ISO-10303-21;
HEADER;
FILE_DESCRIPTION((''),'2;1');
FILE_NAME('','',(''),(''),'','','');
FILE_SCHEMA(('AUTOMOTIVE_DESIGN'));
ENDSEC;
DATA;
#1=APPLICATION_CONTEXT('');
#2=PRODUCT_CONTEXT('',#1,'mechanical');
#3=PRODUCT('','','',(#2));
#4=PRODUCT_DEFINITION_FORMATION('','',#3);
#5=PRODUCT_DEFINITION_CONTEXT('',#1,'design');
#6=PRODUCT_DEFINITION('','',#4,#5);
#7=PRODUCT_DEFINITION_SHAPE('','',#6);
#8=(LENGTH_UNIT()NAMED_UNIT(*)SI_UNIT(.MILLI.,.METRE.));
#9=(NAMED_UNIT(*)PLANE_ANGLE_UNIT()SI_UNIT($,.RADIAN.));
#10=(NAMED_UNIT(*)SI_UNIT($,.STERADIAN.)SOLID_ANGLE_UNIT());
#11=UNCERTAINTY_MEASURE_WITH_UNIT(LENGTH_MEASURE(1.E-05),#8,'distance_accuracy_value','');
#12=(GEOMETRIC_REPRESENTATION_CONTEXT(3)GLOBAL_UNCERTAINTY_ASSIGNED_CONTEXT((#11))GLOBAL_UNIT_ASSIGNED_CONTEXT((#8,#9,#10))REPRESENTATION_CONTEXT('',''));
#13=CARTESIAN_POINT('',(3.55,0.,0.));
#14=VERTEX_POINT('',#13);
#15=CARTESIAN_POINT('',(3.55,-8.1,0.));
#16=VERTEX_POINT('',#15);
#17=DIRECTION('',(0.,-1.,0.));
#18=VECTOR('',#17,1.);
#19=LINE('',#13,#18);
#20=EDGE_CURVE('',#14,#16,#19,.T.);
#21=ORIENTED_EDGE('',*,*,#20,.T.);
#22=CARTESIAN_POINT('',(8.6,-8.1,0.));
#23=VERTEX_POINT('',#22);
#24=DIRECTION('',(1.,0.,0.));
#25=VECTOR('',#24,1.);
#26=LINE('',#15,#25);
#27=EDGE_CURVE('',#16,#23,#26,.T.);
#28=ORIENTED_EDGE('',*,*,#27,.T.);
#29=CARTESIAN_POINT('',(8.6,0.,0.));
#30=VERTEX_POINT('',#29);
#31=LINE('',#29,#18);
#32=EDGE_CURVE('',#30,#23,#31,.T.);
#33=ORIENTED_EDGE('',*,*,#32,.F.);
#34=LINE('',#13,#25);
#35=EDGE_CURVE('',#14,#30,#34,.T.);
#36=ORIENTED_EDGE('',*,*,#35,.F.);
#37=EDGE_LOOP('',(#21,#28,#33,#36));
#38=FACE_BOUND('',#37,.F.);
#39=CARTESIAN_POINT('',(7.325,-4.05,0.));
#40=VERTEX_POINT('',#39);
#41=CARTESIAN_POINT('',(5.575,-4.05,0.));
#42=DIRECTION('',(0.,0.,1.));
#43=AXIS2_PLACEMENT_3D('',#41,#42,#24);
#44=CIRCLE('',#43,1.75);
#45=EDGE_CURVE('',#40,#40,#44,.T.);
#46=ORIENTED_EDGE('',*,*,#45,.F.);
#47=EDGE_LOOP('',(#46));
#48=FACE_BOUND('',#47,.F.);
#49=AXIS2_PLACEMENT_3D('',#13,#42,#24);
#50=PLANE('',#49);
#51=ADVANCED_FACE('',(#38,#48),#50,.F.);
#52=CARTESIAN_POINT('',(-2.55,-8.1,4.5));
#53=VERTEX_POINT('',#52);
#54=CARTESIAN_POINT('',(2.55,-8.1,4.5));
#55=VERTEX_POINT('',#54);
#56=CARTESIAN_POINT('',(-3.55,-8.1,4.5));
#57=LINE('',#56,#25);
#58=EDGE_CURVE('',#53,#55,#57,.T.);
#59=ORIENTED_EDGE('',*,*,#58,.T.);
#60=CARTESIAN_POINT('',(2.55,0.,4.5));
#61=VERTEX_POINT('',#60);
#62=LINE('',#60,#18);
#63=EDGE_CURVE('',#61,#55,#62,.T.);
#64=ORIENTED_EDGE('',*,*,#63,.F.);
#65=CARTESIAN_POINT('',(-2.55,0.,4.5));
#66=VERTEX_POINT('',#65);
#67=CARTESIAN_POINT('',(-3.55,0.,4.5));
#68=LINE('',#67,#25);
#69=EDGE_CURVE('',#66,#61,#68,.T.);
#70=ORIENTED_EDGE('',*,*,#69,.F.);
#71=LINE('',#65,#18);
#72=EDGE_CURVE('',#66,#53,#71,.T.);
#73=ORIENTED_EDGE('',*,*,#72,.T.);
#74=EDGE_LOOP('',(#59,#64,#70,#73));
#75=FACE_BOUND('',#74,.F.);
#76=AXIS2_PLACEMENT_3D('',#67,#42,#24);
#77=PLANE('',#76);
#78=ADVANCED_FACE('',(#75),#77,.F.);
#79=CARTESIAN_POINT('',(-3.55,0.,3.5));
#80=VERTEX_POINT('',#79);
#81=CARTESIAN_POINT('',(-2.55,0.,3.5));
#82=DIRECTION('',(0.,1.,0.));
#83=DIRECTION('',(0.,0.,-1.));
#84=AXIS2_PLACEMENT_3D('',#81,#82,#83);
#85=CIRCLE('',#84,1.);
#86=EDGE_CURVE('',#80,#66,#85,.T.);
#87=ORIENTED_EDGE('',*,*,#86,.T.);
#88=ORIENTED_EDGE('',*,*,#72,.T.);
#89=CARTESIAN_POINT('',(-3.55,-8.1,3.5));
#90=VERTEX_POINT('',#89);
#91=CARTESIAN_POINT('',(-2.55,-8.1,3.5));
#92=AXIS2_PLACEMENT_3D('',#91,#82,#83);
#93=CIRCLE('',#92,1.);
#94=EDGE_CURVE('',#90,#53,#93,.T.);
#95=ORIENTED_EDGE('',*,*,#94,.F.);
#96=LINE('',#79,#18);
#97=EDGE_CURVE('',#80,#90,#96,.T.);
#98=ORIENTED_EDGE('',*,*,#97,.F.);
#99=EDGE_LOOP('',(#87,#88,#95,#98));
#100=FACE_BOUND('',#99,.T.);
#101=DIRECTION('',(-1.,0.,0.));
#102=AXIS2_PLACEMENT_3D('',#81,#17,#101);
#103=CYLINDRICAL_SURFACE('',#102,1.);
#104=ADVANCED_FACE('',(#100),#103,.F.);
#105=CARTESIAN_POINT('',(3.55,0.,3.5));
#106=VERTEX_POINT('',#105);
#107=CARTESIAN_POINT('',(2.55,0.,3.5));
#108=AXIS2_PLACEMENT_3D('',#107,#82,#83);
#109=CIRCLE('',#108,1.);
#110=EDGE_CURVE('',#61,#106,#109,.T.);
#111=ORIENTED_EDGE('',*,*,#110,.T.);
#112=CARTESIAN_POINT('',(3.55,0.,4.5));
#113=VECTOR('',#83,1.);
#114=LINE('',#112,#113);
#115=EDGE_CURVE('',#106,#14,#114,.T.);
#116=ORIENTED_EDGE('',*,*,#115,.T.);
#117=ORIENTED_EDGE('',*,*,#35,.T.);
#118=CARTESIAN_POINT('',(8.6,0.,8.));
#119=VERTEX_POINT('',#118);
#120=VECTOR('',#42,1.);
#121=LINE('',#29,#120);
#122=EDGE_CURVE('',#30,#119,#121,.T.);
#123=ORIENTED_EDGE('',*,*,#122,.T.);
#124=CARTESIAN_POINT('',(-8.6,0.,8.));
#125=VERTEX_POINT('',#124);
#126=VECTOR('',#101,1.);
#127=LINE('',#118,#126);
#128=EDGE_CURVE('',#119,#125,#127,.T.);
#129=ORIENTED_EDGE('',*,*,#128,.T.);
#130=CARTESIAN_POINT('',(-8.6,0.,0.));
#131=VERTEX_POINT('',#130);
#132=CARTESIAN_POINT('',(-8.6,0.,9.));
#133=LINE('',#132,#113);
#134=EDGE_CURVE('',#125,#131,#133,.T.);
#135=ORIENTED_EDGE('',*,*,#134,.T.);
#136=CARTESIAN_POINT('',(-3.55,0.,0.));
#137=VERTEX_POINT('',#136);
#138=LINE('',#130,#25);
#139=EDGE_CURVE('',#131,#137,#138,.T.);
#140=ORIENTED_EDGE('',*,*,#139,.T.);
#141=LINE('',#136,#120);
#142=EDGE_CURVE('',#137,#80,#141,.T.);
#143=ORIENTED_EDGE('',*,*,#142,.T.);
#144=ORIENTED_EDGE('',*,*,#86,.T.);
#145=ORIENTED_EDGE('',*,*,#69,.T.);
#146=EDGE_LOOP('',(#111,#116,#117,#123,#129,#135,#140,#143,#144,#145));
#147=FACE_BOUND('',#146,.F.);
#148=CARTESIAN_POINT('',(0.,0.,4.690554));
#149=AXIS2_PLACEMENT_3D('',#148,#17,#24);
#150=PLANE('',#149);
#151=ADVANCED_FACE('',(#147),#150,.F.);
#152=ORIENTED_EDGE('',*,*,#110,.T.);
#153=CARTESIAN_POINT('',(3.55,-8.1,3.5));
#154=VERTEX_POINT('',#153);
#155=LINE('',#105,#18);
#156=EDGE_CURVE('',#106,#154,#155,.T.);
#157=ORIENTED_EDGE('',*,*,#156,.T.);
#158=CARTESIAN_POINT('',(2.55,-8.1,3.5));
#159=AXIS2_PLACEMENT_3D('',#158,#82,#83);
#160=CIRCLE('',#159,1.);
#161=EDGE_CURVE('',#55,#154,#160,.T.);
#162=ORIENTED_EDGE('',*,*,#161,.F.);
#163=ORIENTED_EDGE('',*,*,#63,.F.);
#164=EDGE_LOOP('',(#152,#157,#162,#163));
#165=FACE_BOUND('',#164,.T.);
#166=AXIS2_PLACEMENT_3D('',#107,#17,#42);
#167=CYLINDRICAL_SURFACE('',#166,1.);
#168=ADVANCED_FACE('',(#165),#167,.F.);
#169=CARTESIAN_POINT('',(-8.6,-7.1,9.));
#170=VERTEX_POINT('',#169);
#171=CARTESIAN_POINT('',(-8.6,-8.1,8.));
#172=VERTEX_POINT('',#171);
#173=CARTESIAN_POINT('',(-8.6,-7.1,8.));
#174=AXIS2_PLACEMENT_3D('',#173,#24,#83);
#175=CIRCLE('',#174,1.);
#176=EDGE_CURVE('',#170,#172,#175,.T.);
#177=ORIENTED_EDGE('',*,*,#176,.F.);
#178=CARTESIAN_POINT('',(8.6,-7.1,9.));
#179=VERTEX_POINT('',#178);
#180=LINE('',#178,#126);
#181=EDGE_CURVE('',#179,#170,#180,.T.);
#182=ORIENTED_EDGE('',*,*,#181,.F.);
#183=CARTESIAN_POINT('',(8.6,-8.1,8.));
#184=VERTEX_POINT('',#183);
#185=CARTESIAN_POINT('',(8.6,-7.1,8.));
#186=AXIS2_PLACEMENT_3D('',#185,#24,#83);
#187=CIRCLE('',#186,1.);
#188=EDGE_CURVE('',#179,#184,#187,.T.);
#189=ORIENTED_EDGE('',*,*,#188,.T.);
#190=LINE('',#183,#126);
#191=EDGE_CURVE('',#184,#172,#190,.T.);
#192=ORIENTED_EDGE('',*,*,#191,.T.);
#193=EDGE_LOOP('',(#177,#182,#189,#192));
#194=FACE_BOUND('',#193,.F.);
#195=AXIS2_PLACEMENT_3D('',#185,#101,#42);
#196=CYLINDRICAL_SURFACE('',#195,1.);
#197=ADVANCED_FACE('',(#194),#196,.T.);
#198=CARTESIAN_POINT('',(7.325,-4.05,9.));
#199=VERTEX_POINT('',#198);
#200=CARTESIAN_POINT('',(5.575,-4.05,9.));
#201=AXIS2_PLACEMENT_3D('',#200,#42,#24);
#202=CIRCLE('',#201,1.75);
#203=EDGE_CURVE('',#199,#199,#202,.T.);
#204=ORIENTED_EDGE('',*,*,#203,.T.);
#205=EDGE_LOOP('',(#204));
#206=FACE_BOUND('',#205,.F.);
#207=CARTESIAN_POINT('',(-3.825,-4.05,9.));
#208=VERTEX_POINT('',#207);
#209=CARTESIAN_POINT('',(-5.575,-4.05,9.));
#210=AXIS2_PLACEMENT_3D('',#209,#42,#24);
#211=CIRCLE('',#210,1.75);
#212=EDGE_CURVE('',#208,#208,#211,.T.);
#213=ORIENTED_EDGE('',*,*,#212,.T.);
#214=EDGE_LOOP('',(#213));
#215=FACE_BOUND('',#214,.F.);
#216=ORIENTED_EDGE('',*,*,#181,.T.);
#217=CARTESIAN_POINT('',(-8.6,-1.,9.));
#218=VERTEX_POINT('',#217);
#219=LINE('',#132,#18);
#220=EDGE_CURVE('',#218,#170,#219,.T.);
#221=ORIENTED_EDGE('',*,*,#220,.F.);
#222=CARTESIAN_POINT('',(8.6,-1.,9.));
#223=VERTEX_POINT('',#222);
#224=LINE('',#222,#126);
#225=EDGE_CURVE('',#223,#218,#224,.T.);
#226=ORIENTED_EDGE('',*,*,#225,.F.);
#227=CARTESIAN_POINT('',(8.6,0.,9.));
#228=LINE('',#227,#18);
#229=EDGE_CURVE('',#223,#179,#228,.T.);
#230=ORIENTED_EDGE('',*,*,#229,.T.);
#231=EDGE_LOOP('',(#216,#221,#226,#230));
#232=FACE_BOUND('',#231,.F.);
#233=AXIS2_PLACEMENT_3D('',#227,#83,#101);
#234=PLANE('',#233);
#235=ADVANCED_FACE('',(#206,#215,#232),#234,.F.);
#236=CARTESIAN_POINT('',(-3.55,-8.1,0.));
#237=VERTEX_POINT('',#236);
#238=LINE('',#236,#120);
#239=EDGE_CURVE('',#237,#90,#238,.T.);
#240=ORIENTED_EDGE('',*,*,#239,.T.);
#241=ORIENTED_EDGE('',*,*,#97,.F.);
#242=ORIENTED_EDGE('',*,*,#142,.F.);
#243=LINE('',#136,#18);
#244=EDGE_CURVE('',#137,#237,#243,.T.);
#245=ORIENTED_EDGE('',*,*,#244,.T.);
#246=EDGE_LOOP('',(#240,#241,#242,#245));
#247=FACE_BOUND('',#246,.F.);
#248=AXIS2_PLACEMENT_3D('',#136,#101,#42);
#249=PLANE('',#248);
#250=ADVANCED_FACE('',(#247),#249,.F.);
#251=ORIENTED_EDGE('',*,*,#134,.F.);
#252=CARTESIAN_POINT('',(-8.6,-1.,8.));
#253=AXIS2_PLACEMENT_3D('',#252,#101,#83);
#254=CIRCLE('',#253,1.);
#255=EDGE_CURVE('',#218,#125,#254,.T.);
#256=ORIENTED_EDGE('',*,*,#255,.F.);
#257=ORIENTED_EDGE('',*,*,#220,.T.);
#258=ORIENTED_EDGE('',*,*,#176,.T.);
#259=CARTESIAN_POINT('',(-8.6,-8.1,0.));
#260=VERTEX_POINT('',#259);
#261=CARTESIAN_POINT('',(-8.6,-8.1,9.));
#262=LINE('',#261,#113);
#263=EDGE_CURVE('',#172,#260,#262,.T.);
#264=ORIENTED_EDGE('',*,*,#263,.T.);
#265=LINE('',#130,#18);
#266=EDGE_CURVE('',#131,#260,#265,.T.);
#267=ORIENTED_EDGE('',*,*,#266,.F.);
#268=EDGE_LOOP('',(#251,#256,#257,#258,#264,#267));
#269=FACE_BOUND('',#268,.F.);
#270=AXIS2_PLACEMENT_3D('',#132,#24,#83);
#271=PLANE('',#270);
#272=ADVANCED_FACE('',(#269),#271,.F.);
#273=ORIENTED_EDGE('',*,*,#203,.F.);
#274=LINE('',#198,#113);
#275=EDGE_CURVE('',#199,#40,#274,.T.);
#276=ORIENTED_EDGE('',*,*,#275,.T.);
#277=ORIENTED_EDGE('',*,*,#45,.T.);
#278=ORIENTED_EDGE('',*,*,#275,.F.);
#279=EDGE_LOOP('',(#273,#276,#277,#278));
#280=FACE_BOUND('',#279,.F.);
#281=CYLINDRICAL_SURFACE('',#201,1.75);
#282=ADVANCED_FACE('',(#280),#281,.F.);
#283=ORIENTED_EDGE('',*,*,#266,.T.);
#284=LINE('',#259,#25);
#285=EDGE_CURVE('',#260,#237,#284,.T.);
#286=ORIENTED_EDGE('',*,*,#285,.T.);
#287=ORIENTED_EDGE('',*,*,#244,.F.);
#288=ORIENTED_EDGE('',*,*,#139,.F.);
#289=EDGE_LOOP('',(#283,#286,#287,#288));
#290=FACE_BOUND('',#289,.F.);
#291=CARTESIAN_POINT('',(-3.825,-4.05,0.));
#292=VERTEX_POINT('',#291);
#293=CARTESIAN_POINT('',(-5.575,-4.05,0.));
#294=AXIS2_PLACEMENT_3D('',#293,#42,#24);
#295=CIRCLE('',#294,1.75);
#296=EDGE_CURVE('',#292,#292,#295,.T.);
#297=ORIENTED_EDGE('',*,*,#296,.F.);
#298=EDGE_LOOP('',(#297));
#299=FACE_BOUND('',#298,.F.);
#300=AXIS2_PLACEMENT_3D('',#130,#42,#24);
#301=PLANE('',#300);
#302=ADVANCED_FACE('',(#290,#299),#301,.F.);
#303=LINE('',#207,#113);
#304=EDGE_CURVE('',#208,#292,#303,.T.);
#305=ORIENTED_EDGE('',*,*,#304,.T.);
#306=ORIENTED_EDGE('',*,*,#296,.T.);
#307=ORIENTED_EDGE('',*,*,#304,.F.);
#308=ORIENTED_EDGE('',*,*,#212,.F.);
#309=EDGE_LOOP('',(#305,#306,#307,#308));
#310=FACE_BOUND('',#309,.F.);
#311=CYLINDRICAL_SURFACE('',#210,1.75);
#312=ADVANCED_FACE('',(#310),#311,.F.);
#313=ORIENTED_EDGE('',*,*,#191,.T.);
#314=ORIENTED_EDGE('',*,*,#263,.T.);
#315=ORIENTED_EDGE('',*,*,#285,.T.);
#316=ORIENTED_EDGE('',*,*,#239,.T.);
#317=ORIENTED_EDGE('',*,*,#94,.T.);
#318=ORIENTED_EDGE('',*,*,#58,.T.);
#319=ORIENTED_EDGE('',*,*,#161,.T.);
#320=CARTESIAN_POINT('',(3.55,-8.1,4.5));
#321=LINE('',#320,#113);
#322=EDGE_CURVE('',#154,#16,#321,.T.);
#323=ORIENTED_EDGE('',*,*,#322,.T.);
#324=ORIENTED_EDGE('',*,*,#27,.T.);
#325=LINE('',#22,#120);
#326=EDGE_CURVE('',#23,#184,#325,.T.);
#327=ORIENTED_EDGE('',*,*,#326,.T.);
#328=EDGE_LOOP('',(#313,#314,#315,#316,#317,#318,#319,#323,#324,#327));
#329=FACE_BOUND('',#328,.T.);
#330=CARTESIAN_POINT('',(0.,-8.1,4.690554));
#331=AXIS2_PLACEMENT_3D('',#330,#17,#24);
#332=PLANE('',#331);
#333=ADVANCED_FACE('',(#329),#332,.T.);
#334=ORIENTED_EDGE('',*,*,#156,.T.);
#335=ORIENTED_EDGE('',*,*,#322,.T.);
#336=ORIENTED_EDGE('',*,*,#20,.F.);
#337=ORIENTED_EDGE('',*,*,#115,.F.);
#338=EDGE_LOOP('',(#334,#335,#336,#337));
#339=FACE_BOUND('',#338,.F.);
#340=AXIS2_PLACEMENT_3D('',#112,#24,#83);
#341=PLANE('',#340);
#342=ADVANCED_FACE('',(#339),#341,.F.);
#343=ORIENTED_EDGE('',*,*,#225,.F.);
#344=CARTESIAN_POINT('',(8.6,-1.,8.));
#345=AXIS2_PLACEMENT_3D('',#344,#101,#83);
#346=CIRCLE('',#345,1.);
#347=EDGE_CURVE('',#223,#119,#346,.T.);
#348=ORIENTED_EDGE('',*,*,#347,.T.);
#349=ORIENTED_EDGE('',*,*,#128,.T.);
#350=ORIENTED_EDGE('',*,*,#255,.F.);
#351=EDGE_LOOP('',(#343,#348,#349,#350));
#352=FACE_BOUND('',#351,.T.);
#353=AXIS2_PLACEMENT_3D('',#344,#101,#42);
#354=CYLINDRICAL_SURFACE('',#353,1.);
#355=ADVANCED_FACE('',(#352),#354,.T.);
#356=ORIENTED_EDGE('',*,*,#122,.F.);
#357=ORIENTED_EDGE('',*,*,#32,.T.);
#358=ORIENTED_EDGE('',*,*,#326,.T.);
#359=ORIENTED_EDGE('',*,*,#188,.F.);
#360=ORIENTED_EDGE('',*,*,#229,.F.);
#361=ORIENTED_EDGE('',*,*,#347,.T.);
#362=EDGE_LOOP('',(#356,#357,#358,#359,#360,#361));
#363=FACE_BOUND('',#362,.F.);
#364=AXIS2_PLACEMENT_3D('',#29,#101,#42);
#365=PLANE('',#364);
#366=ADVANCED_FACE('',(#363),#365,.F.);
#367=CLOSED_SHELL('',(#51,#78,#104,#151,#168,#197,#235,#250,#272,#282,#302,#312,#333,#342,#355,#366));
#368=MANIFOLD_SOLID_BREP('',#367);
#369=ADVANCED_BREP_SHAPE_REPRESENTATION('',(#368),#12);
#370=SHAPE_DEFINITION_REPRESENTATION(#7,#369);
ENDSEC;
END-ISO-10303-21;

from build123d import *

# Parameters (mm, degrees)
F1_DEPTH = 8.1
F2_R     = 1.75
F3_DEPTH = 9.001
F4_R     = 1


with BuildPart() as f1:
    # F0 (on Front) → F1 (new body)
    with BuildSketch(Plane.XZ):
        Polygon((-8.6, 9), (-8.6, 0), (-3.55, 0), (-3.55, 4.5), (3.55, 4.5), (3.55, 0), (8.6, 0), (8.6, 9), align=None)
    extrude(amount=F1_DEPTH)

    # F2 (on face) → F3 (cut, through all)
    with BuildSketch(Plane.XY.offset(9)):
        with Locations((-5.575, -4.05)):
            Circle(F2_R)
        with Locations((5.575, -4.05)):
            Circle(F2_R)
    extrude(amount=-F3_DEPTH, mode=Mode.SUBTRACT)

    # F4
    f4_edges = [f1.edges().sort_by_distance(p)[0] for p in [
        (0, -8.1, 9),
        (0, 0, 9),
        (-3.55, -4.05, 4.5),
        (3.55, -4.05, 4.5),
    ]]
    fillet(f4_edges, radius=F4_R)


solid = f1.part
